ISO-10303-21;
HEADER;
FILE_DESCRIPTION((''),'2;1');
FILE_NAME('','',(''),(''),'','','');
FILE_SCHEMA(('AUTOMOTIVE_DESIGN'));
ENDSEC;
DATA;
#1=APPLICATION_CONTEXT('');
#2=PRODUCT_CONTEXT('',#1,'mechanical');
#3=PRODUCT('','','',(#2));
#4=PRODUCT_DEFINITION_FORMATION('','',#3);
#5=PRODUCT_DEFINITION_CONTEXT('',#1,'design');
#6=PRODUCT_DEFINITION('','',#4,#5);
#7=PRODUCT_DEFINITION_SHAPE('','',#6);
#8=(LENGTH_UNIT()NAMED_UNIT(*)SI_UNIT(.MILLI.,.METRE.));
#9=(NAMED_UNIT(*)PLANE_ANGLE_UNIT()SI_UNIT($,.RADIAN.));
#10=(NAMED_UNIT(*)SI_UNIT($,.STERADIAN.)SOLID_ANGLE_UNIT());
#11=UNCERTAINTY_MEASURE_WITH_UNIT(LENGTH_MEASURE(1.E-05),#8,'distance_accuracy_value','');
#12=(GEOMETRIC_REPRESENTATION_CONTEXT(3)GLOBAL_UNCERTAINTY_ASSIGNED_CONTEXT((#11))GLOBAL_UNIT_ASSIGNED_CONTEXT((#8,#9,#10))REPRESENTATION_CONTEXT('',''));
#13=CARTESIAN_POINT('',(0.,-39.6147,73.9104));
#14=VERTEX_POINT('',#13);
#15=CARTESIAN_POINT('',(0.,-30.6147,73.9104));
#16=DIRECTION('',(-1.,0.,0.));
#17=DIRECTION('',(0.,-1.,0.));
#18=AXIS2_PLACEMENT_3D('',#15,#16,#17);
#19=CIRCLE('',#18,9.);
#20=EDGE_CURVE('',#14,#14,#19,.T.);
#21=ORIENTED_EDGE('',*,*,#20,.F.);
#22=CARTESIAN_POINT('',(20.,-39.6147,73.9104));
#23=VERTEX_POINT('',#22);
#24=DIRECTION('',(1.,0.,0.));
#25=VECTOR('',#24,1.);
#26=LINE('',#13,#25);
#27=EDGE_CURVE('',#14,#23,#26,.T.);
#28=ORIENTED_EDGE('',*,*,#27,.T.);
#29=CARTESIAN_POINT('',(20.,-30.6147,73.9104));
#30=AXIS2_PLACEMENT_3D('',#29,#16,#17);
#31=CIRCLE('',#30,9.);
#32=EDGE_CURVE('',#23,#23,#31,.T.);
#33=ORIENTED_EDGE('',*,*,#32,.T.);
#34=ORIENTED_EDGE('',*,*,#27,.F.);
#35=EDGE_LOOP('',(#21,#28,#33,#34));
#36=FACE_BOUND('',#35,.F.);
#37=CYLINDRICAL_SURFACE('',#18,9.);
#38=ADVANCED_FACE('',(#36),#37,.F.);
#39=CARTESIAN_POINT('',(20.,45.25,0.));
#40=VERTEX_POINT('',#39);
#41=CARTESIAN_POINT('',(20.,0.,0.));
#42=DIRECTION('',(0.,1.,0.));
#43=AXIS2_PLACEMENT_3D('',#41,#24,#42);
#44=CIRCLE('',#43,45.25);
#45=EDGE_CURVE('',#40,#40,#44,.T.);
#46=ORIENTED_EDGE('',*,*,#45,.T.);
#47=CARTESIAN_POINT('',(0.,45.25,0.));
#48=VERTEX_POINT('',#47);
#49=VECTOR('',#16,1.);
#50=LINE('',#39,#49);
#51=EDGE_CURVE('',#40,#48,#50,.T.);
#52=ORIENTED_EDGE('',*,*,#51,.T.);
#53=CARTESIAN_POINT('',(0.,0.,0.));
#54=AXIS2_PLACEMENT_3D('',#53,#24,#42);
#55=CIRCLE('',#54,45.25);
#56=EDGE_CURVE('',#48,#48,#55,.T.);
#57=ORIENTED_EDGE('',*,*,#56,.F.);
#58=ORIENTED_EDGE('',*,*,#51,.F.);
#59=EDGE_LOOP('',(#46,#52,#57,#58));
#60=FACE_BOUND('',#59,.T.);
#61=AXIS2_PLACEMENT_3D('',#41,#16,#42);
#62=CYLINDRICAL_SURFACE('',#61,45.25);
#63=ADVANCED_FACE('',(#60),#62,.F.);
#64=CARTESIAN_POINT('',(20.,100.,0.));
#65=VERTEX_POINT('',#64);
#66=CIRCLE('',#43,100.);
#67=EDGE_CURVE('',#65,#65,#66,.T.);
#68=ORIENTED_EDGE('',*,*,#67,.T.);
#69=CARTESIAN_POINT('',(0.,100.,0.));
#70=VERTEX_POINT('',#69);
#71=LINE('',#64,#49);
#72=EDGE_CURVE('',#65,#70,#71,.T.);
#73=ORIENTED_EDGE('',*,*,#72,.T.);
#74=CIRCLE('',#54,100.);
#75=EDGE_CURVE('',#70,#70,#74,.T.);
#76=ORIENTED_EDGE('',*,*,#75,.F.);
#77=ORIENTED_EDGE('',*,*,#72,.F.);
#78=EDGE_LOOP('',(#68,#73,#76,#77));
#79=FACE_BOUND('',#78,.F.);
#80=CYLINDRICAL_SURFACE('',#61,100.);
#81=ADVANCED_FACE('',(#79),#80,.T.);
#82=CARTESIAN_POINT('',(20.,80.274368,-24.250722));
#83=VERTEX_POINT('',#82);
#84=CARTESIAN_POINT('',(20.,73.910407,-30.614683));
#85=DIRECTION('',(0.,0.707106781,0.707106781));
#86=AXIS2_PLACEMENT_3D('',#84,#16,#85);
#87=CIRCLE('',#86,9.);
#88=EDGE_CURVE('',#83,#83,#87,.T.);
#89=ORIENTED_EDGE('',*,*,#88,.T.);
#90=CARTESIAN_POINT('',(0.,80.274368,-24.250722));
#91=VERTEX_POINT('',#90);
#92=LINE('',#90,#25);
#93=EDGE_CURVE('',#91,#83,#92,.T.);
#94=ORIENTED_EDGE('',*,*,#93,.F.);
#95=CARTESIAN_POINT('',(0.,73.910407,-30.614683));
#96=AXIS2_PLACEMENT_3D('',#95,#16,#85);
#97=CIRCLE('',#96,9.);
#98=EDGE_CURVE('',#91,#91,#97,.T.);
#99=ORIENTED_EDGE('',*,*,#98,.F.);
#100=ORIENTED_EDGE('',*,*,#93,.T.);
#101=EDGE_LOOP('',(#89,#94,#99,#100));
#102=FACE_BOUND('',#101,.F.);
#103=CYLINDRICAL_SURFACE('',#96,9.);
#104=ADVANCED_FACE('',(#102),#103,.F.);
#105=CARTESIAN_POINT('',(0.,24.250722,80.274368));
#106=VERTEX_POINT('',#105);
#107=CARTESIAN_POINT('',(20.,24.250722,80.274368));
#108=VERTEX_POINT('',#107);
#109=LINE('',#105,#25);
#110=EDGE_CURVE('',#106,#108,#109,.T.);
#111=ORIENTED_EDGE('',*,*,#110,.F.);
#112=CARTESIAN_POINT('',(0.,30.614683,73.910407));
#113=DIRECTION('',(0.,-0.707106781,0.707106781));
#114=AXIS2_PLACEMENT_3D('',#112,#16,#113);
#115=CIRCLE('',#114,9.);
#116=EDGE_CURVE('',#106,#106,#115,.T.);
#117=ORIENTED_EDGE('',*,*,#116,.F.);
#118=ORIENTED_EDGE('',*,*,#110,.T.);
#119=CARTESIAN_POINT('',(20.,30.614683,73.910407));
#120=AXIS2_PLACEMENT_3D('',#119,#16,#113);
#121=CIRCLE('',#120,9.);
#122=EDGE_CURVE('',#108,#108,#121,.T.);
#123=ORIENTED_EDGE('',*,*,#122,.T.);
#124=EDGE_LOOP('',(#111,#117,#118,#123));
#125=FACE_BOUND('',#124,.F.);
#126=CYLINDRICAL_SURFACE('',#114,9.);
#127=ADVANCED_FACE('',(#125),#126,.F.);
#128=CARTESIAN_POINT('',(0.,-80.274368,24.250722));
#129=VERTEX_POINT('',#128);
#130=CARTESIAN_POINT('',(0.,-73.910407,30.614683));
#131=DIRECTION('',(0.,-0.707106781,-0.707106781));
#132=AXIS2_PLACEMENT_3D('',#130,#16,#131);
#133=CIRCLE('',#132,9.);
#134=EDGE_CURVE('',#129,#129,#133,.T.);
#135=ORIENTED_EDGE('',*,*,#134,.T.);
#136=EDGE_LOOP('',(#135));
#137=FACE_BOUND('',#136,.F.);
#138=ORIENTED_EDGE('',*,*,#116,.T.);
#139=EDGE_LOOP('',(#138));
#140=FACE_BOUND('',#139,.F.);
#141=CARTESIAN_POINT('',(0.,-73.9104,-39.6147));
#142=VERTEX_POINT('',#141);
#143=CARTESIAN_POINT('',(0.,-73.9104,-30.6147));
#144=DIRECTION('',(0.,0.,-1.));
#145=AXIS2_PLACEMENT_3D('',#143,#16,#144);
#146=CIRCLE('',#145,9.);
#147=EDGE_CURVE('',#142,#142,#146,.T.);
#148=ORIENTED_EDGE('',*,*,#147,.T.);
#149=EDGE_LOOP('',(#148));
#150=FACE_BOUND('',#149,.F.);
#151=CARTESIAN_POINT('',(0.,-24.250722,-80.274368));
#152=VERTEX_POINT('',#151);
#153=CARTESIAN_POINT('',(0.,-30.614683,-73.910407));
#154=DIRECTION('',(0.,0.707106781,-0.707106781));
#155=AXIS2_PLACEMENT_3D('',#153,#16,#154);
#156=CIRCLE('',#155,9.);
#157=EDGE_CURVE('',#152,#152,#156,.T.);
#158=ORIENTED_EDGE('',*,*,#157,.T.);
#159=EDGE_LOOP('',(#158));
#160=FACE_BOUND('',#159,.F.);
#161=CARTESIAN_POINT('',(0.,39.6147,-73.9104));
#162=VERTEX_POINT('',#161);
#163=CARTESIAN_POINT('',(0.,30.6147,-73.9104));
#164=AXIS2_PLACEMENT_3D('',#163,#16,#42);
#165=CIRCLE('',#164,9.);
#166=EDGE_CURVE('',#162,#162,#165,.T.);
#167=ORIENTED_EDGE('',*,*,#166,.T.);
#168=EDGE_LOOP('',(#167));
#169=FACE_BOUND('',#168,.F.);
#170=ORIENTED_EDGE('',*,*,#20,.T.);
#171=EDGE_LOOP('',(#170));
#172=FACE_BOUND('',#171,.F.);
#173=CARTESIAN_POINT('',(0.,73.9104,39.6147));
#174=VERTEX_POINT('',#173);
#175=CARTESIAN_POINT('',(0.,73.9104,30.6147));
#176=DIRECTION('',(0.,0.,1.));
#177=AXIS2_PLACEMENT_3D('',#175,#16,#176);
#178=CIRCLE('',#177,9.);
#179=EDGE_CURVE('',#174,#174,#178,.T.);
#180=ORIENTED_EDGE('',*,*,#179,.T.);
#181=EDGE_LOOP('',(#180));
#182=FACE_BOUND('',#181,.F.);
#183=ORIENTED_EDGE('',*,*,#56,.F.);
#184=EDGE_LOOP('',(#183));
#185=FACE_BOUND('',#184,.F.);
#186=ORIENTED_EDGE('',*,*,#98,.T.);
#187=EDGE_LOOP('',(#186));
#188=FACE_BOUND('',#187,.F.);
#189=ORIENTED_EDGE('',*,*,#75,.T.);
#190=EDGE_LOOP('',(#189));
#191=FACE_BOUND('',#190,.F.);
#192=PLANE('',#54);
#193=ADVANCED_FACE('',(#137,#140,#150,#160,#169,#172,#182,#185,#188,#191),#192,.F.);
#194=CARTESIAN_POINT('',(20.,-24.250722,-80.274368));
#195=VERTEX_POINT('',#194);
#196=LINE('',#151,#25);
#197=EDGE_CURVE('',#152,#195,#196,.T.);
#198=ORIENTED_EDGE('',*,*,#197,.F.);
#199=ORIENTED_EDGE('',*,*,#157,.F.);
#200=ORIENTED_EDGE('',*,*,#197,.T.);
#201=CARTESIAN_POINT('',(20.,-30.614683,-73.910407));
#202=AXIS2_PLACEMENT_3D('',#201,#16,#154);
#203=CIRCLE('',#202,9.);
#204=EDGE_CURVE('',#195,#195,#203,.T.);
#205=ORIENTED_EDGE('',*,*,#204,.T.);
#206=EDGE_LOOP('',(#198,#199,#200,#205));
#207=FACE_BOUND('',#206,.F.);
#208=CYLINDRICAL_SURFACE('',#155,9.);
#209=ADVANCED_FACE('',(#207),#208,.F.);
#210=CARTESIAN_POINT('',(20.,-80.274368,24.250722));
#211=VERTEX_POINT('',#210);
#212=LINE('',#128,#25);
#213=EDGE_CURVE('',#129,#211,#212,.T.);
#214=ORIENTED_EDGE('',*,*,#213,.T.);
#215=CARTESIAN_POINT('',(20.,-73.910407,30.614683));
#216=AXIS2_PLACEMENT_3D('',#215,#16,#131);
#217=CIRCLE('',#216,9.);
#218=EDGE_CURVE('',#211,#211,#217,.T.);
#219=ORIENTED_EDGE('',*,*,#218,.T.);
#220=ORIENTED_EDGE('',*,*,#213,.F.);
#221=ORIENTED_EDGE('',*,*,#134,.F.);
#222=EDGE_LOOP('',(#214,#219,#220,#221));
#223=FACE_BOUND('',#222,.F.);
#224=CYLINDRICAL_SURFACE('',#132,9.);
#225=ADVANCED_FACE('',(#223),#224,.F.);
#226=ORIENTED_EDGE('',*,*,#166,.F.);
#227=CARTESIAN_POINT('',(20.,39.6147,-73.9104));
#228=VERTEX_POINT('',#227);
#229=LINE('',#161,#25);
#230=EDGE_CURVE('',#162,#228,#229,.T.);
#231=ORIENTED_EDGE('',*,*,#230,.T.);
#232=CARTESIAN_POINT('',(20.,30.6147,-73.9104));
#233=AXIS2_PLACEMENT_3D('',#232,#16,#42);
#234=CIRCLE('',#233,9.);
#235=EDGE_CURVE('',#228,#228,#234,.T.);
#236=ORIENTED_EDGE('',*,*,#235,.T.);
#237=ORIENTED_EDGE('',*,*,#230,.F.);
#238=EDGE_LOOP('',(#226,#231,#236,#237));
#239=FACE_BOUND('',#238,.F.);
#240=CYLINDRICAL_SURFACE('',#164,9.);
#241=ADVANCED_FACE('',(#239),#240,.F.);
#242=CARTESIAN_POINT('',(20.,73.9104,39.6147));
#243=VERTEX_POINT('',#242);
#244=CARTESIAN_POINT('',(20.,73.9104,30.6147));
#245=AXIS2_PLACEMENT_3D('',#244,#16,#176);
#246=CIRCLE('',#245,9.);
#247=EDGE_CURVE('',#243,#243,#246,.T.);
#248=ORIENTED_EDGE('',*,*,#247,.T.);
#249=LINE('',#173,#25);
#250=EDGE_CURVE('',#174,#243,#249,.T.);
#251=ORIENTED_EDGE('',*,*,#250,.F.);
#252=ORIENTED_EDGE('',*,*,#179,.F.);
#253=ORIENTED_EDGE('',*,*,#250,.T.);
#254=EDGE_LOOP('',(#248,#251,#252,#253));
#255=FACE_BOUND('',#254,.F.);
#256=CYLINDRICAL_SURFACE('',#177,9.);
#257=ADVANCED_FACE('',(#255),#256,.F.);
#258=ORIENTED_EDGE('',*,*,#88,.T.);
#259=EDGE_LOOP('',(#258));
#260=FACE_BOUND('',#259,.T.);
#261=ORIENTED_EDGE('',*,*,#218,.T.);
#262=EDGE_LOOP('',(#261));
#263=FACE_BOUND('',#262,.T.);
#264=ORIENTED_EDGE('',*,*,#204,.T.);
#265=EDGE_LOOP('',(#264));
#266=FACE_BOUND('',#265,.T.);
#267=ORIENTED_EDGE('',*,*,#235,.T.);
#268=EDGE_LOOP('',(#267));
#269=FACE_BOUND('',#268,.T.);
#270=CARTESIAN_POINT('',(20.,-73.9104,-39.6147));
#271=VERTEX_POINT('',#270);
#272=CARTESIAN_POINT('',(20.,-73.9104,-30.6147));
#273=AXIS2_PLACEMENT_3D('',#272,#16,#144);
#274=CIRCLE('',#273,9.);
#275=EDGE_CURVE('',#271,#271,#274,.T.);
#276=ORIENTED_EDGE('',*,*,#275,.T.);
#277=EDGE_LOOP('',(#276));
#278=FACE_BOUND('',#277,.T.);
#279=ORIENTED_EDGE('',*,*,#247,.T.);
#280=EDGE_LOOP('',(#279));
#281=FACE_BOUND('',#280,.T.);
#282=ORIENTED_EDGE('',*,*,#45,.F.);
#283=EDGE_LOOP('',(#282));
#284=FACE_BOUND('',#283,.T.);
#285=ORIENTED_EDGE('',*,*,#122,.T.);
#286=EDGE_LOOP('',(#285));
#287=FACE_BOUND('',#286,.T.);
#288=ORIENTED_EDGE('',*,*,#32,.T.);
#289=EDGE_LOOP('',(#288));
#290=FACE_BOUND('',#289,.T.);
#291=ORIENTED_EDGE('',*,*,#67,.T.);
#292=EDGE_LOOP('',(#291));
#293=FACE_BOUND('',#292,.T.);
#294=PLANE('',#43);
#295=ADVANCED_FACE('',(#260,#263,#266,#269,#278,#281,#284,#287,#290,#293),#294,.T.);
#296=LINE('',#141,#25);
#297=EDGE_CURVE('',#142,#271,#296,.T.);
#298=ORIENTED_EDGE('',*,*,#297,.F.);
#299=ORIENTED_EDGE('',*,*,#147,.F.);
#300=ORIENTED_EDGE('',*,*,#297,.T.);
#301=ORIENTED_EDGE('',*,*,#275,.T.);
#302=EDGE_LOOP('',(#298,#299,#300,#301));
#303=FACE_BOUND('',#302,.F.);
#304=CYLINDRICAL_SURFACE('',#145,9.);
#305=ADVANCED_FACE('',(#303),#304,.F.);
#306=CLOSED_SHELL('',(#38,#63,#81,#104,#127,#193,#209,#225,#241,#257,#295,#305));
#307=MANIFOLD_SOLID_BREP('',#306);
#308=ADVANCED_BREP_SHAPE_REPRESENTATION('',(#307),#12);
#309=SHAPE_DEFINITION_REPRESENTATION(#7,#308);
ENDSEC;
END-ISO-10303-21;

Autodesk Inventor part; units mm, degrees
ref_plane "YZ Plane" through (0, 0, 0) normal (1, 0, 0) x (0, 1, 0)
ref_plane "XZ Plane" through (0, 0, 0) normal (0, 1, 0) x (-1, 0, 0)
ref_plane "XY Plane" through (0, 0, 0) normal (0, 0, 1) x (1, 0, 0)
sketch "Sketch1" plane through (0, 0, 0) normal (0, 0, 1) x (1, 0, 0)
  line L0 (20, 100) -> (0, 100)
  line L1 (0, 100) -> (0, 45.25)
  line L2 (0, 45.25) -> (0, 0) construction
  line L3 (0, 0) -> (20, 0) construction
  line L4 (20, 100) -> (20, 45.25)
  line L5 (20, 45.25) -> (0, 45.25)
  line L6 (20, 45.25) -> (20, 0) construction
  dimension "d0" = 200
  dimension "d1" = 20
  dimension "d6" = 90.5
revolve "Revolution1" add sketch "Sketch1" angle 360 about axis through (0, 0, 0) along (1, 0, 0)
sketch "Sketch2" plane through (0, 0, 0) normal (-1, 0, 0) x (0, 0, 1)
  circle A0 centre (0, 0) radius 45.25 projected
  circle A1 centre (0, 0) radius 80 construction
  line L0 (0, 80) -> (0, 0) construction
  circle A2 centre (0, 0) radius 100 projected
  circle A3 centre (30.6147, 73.9104) radius 9
  line L1 (0, 0) -> (30.6147, 73.9104) construction
  dimension "d2" = 160
  dimension "d7" = 18
  dimension "d8" = 22.5
extrude "Extrusion1" cut sketch "Sketch2" against normal through all contours A3
pattern_circular "Circular Pattern1" count 8 over 360 about axis through (10, 0, 0) along (1, 0, 0) of "Extrusion1"
equation "\"d0\" = D"
equation "\"d1\" = C1"
equation "\"d6\" = B1"
equation "\"d2\" = K1"
equation "\"d7\" = L"
equation "\"C1\" = 20"
equation "\"D\" = 200"
equation "\"K1\" = 160"
equation "\"L\" = 18"
equation "\"B1\" = 90.5"
equation "\"NB\" = 1.2345"
equation "\"Size_Designation\" = 1.2345"
properties part number "ISO 7005-1 Plate Flange for Welding Type 01 Flat Face - ISO PN 16 DN80" material "Steel"
